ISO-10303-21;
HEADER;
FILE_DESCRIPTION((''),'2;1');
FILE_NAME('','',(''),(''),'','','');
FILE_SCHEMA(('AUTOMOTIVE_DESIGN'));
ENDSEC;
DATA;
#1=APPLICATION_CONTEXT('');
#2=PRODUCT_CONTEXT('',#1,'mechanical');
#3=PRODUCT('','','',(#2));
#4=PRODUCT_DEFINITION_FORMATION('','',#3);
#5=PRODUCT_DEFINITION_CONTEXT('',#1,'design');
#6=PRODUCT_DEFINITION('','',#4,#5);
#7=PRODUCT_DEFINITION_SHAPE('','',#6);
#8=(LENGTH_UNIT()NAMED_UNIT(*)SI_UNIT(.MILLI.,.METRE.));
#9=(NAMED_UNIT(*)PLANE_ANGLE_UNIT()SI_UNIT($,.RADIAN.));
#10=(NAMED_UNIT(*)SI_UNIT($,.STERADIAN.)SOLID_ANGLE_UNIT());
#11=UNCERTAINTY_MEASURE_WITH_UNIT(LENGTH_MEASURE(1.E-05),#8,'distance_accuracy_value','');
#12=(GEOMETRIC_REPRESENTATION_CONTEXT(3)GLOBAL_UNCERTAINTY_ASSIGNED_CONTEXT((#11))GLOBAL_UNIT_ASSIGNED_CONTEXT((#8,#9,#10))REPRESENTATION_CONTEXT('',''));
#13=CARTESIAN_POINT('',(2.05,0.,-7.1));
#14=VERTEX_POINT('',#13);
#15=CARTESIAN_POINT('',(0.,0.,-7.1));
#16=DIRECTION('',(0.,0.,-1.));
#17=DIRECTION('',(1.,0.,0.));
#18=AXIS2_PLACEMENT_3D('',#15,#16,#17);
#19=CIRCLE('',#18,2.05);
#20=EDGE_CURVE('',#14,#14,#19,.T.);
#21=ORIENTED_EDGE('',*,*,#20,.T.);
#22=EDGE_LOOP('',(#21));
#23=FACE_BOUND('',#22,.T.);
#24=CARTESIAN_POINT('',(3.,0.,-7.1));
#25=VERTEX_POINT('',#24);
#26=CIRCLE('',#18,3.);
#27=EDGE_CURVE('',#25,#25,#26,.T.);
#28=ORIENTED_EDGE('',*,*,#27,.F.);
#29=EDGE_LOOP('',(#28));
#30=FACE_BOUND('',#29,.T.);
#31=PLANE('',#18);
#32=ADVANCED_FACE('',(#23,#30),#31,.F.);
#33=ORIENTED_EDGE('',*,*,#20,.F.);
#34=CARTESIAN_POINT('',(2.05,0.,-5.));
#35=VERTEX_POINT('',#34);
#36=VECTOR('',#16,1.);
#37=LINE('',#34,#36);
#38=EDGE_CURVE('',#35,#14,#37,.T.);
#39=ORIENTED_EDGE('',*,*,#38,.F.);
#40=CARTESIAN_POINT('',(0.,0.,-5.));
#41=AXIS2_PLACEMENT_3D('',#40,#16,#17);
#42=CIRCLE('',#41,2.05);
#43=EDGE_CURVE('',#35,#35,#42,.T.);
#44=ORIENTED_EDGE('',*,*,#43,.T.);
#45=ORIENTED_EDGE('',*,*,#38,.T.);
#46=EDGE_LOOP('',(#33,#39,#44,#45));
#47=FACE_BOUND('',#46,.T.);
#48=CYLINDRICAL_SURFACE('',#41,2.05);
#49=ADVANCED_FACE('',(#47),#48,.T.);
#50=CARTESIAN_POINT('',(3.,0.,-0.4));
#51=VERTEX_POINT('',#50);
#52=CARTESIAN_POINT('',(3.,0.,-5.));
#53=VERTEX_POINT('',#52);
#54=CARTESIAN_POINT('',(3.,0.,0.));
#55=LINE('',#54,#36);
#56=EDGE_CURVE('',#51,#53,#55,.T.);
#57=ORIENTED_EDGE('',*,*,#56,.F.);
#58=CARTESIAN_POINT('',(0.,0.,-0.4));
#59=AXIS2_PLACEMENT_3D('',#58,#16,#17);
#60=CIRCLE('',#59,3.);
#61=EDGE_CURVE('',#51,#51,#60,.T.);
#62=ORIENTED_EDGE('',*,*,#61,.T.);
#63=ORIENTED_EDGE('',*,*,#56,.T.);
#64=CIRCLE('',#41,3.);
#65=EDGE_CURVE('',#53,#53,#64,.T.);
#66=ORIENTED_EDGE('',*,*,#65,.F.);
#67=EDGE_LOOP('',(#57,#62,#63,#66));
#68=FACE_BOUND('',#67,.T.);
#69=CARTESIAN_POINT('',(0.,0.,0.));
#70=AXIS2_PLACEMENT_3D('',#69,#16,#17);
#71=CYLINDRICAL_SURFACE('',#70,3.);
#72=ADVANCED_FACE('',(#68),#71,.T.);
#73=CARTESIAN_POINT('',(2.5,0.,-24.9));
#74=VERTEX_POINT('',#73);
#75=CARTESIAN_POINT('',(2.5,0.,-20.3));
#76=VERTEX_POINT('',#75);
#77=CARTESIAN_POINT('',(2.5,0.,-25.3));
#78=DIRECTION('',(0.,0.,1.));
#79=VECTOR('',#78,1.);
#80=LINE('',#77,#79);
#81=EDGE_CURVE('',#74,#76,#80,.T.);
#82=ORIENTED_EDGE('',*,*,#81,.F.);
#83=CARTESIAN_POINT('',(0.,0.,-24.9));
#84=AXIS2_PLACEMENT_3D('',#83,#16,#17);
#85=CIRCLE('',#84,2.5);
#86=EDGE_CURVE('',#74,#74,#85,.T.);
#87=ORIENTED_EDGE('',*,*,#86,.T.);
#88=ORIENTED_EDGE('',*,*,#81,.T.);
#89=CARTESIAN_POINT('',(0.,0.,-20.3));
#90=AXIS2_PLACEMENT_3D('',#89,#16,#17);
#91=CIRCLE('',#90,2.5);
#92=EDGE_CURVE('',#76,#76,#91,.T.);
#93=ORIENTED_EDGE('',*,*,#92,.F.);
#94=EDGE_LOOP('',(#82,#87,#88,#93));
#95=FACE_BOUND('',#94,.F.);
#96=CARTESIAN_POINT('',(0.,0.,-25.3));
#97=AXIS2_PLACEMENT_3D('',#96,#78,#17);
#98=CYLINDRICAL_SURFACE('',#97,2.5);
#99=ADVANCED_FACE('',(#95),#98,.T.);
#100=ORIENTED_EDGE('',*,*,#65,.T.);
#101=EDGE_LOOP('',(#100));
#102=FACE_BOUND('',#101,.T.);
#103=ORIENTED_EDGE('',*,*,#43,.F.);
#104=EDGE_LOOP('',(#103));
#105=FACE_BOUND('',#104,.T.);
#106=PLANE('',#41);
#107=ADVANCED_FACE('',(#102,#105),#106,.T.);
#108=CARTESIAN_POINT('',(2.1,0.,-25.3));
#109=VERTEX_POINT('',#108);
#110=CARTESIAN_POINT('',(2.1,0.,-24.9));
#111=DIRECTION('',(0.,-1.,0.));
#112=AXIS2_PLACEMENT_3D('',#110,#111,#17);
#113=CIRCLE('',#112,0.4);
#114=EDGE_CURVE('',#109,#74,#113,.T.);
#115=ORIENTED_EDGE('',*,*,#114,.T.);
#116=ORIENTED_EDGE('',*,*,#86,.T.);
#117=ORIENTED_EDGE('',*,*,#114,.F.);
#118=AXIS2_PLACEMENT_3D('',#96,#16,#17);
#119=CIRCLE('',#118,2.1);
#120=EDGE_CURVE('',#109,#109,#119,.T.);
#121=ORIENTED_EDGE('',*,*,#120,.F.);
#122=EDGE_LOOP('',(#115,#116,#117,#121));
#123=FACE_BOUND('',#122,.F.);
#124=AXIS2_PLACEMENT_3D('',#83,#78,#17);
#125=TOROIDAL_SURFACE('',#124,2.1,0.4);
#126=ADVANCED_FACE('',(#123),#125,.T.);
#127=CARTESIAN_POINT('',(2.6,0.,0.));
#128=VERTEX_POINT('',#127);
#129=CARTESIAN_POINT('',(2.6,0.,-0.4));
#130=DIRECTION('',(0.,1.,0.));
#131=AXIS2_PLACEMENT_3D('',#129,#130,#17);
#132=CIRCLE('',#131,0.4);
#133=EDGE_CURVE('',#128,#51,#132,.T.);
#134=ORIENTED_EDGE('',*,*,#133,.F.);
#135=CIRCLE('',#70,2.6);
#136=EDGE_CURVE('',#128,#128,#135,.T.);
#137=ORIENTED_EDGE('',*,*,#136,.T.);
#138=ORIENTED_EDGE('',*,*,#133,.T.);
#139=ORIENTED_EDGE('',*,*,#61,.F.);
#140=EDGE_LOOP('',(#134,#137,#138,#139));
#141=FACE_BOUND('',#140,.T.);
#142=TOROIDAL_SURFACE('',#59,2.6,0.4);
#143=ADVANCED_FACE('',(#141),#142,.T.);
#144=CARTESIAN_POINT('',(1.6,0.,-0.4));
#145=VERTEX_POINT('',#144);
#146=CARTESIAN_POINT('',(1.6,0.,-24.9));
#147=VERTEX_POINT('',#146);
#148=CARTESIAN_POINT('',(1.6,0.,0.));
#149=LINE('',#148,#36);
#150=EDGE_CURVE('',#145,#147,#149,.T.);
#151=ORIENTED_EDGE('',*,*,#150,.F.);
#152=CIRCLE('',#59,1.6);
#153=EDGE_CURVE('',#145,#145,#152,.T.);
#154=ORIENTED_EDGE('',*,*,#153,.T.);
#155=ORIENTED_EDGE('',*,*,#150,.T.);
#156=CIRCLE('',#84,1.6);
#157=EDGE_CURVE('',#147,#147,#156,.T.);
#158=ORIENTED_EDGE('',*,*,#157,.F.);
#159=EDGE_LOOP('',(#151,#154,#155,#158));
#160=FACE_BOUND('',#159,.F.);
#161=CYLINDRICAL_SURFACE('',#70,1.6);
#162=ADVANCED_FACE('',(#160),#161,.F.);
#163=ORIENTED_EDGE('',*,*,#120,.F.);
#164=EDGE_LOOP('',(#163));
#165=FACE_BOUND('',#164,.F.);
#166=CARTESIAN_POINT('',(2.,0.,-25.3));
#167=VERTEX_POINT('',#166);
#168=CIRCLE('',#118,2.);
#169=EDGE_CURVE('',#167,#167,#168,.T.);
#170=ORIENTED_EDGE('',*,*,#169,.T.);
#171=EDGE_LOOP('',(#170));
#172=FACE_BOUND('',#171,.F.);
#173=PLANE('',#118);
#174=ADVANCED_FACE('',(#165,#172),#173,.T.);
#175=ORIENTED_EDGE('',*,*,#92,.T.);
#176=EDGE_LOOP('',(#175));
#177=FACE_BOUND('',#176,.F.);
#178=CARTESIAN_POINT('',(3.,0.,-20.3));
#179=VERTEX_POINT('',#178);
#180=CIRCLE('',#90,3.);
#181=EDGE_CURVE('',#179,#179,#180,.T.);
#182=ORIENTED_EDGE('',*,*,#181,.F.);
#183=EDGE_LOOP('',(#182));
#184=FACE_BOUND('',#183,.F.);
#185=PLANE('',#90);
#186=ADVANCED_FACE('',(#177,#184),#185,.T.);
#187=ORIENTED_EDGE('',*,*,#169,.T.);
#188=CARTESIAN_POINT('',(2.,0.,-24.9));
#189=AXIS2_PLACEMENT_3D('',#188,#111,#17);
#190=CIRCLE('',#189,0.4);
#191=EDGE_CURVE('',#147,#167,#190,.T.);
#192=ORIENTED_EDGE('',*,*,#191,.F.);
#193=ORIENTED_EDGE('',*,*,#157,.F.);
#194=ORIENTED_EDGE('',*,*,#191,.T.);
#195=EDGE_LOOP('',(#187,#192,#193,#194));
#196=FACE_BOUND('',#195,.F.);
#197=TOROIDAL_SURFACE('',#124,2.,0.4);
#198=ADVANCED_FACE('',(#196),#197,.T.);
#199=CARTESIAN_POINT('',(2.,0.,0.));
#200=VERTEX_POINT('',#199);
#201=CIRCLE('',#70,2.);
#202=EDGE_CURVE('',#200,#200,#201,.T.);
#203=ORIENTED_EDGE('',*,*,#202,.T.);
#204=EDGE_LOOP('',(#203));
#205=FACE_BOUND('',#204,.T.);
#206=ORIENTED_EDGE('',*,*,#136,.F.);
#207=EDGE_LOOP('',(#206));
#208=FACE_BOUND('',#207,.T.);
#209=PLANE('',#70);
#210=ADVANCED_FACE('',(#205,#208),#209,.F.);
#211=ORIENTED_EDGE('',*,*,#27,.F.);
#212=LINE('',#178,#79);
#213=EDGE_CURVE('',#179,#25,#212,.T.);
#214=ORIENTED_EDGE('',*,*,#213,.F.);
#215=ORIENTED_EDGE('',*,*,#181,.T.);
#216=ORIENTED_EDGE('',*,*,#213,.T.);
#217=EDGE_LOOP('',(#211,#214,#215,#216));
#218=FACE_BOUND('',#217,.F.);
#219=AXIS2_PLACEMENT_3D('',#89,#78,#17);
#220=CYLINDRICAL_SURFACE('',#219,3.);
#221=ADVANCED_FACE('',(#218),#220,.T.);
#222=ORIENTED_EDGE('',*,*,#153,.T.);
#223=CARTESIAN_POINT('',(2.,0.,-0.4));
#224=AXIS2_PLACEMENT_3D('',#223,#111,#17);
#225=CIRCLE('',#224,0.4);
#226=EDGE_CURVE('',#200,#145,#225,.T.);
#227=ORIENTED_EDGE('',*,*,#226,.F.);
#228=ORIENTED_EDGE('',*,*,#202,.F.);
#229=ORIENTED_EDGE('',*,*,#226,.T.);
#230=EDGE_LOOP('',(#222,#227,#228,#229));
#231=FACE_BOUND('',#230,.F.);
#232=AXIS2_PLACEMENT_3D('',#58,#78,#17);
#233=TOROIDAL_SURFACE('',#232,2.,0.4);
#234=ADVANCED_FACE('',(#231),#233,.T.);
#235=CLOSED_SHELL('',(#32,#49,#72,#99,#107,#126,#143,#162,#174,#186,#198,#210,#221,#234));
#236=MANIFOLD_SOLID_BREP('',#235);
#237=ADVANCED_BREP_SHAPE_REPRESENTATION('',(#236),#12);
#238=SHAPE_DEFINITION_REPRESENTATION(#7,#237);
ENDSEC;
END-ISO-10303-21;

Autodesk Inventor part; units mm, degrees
ref_plane "YZ Plane" through (0, 0, 0) normal (1, 0, 0) x (0, 1, 0)
ref_plane "XZ Plane" through (0, 0, 0) normal (0, 1, 0) x (-1, 0, 0)
ref_plane "XY Plane" through (0, 0, 0) normal (0, 0, 1) x (1, 0, 0)
sketch "Эскиз1" plane through (0, 0, 0) normal (0, 1, 0) x (-1, 0, 0)
  line L0 (0, 0) -> (0, -25.3) construction
  line L1 (0, 0) -> (-3, 0) construction
  line L2 (-3, 0) -> (-3, -5)
  line L3 (0, -5) -> (-2.05, -5) construction
  line L4 (-2.05, -5) -> (-2.05, -7.1)
  line L5 (-3, -5) -> (-2.05, -5)
  line L6 (-2.05, -7.1) -> (-3, -7.1)
  line L7 (0, 0) -> (-1.6, 0) construction
  line L8 (-1.6, 0) -> (-3, 0) construction
  line L9 (-1.6, 0) -> (-3, 0)
  line L10 (-1.6, 0) -> (-1.6, -25.3)
  line L11 (0, -25.3) -> (-2.5, -25.3) construction
  line L12 (-1.6, -25.3) -> (-2.5, -25.3)
  line L13 (-2.5, -25.3) -> (-2.5, -20.3)
  line L14 (-2.5, -20.3) -> (-3, -20.3)
  line L15 (-3, -20.3) -> (-3, -7.1)
  dimension "d4" = 25.3
  dimension "d5" = 3
  dimension "d6" = 5
  dimension "d7" = 2.05
  dimension "d8" = 2.1
  dimension "d9" = 1.6
  dimension "d10" = 25.3
  dimension "d11" = 2.5
  dimension "d12" = 5
revolve "Вращение1" add sketch "Эскиз1" angle 360 about axis through (0, 0, 0) along (0, 0, -1)
fillet "Сопряжение1" radius 0.4 4 edges at (-2.5, 0, -25.3) (-3, 0, 0) (-1.6, 0, 0) (-1.6, 0, -25.3)
thread "Резьба1" size "M6x1" class "6g" standard "ANSI Metric M Profile" full length
thread "Резьба2" size "M6x1" class "6g" standard "ANSI Metric M Profile" full length
properties part number "BREAK"
